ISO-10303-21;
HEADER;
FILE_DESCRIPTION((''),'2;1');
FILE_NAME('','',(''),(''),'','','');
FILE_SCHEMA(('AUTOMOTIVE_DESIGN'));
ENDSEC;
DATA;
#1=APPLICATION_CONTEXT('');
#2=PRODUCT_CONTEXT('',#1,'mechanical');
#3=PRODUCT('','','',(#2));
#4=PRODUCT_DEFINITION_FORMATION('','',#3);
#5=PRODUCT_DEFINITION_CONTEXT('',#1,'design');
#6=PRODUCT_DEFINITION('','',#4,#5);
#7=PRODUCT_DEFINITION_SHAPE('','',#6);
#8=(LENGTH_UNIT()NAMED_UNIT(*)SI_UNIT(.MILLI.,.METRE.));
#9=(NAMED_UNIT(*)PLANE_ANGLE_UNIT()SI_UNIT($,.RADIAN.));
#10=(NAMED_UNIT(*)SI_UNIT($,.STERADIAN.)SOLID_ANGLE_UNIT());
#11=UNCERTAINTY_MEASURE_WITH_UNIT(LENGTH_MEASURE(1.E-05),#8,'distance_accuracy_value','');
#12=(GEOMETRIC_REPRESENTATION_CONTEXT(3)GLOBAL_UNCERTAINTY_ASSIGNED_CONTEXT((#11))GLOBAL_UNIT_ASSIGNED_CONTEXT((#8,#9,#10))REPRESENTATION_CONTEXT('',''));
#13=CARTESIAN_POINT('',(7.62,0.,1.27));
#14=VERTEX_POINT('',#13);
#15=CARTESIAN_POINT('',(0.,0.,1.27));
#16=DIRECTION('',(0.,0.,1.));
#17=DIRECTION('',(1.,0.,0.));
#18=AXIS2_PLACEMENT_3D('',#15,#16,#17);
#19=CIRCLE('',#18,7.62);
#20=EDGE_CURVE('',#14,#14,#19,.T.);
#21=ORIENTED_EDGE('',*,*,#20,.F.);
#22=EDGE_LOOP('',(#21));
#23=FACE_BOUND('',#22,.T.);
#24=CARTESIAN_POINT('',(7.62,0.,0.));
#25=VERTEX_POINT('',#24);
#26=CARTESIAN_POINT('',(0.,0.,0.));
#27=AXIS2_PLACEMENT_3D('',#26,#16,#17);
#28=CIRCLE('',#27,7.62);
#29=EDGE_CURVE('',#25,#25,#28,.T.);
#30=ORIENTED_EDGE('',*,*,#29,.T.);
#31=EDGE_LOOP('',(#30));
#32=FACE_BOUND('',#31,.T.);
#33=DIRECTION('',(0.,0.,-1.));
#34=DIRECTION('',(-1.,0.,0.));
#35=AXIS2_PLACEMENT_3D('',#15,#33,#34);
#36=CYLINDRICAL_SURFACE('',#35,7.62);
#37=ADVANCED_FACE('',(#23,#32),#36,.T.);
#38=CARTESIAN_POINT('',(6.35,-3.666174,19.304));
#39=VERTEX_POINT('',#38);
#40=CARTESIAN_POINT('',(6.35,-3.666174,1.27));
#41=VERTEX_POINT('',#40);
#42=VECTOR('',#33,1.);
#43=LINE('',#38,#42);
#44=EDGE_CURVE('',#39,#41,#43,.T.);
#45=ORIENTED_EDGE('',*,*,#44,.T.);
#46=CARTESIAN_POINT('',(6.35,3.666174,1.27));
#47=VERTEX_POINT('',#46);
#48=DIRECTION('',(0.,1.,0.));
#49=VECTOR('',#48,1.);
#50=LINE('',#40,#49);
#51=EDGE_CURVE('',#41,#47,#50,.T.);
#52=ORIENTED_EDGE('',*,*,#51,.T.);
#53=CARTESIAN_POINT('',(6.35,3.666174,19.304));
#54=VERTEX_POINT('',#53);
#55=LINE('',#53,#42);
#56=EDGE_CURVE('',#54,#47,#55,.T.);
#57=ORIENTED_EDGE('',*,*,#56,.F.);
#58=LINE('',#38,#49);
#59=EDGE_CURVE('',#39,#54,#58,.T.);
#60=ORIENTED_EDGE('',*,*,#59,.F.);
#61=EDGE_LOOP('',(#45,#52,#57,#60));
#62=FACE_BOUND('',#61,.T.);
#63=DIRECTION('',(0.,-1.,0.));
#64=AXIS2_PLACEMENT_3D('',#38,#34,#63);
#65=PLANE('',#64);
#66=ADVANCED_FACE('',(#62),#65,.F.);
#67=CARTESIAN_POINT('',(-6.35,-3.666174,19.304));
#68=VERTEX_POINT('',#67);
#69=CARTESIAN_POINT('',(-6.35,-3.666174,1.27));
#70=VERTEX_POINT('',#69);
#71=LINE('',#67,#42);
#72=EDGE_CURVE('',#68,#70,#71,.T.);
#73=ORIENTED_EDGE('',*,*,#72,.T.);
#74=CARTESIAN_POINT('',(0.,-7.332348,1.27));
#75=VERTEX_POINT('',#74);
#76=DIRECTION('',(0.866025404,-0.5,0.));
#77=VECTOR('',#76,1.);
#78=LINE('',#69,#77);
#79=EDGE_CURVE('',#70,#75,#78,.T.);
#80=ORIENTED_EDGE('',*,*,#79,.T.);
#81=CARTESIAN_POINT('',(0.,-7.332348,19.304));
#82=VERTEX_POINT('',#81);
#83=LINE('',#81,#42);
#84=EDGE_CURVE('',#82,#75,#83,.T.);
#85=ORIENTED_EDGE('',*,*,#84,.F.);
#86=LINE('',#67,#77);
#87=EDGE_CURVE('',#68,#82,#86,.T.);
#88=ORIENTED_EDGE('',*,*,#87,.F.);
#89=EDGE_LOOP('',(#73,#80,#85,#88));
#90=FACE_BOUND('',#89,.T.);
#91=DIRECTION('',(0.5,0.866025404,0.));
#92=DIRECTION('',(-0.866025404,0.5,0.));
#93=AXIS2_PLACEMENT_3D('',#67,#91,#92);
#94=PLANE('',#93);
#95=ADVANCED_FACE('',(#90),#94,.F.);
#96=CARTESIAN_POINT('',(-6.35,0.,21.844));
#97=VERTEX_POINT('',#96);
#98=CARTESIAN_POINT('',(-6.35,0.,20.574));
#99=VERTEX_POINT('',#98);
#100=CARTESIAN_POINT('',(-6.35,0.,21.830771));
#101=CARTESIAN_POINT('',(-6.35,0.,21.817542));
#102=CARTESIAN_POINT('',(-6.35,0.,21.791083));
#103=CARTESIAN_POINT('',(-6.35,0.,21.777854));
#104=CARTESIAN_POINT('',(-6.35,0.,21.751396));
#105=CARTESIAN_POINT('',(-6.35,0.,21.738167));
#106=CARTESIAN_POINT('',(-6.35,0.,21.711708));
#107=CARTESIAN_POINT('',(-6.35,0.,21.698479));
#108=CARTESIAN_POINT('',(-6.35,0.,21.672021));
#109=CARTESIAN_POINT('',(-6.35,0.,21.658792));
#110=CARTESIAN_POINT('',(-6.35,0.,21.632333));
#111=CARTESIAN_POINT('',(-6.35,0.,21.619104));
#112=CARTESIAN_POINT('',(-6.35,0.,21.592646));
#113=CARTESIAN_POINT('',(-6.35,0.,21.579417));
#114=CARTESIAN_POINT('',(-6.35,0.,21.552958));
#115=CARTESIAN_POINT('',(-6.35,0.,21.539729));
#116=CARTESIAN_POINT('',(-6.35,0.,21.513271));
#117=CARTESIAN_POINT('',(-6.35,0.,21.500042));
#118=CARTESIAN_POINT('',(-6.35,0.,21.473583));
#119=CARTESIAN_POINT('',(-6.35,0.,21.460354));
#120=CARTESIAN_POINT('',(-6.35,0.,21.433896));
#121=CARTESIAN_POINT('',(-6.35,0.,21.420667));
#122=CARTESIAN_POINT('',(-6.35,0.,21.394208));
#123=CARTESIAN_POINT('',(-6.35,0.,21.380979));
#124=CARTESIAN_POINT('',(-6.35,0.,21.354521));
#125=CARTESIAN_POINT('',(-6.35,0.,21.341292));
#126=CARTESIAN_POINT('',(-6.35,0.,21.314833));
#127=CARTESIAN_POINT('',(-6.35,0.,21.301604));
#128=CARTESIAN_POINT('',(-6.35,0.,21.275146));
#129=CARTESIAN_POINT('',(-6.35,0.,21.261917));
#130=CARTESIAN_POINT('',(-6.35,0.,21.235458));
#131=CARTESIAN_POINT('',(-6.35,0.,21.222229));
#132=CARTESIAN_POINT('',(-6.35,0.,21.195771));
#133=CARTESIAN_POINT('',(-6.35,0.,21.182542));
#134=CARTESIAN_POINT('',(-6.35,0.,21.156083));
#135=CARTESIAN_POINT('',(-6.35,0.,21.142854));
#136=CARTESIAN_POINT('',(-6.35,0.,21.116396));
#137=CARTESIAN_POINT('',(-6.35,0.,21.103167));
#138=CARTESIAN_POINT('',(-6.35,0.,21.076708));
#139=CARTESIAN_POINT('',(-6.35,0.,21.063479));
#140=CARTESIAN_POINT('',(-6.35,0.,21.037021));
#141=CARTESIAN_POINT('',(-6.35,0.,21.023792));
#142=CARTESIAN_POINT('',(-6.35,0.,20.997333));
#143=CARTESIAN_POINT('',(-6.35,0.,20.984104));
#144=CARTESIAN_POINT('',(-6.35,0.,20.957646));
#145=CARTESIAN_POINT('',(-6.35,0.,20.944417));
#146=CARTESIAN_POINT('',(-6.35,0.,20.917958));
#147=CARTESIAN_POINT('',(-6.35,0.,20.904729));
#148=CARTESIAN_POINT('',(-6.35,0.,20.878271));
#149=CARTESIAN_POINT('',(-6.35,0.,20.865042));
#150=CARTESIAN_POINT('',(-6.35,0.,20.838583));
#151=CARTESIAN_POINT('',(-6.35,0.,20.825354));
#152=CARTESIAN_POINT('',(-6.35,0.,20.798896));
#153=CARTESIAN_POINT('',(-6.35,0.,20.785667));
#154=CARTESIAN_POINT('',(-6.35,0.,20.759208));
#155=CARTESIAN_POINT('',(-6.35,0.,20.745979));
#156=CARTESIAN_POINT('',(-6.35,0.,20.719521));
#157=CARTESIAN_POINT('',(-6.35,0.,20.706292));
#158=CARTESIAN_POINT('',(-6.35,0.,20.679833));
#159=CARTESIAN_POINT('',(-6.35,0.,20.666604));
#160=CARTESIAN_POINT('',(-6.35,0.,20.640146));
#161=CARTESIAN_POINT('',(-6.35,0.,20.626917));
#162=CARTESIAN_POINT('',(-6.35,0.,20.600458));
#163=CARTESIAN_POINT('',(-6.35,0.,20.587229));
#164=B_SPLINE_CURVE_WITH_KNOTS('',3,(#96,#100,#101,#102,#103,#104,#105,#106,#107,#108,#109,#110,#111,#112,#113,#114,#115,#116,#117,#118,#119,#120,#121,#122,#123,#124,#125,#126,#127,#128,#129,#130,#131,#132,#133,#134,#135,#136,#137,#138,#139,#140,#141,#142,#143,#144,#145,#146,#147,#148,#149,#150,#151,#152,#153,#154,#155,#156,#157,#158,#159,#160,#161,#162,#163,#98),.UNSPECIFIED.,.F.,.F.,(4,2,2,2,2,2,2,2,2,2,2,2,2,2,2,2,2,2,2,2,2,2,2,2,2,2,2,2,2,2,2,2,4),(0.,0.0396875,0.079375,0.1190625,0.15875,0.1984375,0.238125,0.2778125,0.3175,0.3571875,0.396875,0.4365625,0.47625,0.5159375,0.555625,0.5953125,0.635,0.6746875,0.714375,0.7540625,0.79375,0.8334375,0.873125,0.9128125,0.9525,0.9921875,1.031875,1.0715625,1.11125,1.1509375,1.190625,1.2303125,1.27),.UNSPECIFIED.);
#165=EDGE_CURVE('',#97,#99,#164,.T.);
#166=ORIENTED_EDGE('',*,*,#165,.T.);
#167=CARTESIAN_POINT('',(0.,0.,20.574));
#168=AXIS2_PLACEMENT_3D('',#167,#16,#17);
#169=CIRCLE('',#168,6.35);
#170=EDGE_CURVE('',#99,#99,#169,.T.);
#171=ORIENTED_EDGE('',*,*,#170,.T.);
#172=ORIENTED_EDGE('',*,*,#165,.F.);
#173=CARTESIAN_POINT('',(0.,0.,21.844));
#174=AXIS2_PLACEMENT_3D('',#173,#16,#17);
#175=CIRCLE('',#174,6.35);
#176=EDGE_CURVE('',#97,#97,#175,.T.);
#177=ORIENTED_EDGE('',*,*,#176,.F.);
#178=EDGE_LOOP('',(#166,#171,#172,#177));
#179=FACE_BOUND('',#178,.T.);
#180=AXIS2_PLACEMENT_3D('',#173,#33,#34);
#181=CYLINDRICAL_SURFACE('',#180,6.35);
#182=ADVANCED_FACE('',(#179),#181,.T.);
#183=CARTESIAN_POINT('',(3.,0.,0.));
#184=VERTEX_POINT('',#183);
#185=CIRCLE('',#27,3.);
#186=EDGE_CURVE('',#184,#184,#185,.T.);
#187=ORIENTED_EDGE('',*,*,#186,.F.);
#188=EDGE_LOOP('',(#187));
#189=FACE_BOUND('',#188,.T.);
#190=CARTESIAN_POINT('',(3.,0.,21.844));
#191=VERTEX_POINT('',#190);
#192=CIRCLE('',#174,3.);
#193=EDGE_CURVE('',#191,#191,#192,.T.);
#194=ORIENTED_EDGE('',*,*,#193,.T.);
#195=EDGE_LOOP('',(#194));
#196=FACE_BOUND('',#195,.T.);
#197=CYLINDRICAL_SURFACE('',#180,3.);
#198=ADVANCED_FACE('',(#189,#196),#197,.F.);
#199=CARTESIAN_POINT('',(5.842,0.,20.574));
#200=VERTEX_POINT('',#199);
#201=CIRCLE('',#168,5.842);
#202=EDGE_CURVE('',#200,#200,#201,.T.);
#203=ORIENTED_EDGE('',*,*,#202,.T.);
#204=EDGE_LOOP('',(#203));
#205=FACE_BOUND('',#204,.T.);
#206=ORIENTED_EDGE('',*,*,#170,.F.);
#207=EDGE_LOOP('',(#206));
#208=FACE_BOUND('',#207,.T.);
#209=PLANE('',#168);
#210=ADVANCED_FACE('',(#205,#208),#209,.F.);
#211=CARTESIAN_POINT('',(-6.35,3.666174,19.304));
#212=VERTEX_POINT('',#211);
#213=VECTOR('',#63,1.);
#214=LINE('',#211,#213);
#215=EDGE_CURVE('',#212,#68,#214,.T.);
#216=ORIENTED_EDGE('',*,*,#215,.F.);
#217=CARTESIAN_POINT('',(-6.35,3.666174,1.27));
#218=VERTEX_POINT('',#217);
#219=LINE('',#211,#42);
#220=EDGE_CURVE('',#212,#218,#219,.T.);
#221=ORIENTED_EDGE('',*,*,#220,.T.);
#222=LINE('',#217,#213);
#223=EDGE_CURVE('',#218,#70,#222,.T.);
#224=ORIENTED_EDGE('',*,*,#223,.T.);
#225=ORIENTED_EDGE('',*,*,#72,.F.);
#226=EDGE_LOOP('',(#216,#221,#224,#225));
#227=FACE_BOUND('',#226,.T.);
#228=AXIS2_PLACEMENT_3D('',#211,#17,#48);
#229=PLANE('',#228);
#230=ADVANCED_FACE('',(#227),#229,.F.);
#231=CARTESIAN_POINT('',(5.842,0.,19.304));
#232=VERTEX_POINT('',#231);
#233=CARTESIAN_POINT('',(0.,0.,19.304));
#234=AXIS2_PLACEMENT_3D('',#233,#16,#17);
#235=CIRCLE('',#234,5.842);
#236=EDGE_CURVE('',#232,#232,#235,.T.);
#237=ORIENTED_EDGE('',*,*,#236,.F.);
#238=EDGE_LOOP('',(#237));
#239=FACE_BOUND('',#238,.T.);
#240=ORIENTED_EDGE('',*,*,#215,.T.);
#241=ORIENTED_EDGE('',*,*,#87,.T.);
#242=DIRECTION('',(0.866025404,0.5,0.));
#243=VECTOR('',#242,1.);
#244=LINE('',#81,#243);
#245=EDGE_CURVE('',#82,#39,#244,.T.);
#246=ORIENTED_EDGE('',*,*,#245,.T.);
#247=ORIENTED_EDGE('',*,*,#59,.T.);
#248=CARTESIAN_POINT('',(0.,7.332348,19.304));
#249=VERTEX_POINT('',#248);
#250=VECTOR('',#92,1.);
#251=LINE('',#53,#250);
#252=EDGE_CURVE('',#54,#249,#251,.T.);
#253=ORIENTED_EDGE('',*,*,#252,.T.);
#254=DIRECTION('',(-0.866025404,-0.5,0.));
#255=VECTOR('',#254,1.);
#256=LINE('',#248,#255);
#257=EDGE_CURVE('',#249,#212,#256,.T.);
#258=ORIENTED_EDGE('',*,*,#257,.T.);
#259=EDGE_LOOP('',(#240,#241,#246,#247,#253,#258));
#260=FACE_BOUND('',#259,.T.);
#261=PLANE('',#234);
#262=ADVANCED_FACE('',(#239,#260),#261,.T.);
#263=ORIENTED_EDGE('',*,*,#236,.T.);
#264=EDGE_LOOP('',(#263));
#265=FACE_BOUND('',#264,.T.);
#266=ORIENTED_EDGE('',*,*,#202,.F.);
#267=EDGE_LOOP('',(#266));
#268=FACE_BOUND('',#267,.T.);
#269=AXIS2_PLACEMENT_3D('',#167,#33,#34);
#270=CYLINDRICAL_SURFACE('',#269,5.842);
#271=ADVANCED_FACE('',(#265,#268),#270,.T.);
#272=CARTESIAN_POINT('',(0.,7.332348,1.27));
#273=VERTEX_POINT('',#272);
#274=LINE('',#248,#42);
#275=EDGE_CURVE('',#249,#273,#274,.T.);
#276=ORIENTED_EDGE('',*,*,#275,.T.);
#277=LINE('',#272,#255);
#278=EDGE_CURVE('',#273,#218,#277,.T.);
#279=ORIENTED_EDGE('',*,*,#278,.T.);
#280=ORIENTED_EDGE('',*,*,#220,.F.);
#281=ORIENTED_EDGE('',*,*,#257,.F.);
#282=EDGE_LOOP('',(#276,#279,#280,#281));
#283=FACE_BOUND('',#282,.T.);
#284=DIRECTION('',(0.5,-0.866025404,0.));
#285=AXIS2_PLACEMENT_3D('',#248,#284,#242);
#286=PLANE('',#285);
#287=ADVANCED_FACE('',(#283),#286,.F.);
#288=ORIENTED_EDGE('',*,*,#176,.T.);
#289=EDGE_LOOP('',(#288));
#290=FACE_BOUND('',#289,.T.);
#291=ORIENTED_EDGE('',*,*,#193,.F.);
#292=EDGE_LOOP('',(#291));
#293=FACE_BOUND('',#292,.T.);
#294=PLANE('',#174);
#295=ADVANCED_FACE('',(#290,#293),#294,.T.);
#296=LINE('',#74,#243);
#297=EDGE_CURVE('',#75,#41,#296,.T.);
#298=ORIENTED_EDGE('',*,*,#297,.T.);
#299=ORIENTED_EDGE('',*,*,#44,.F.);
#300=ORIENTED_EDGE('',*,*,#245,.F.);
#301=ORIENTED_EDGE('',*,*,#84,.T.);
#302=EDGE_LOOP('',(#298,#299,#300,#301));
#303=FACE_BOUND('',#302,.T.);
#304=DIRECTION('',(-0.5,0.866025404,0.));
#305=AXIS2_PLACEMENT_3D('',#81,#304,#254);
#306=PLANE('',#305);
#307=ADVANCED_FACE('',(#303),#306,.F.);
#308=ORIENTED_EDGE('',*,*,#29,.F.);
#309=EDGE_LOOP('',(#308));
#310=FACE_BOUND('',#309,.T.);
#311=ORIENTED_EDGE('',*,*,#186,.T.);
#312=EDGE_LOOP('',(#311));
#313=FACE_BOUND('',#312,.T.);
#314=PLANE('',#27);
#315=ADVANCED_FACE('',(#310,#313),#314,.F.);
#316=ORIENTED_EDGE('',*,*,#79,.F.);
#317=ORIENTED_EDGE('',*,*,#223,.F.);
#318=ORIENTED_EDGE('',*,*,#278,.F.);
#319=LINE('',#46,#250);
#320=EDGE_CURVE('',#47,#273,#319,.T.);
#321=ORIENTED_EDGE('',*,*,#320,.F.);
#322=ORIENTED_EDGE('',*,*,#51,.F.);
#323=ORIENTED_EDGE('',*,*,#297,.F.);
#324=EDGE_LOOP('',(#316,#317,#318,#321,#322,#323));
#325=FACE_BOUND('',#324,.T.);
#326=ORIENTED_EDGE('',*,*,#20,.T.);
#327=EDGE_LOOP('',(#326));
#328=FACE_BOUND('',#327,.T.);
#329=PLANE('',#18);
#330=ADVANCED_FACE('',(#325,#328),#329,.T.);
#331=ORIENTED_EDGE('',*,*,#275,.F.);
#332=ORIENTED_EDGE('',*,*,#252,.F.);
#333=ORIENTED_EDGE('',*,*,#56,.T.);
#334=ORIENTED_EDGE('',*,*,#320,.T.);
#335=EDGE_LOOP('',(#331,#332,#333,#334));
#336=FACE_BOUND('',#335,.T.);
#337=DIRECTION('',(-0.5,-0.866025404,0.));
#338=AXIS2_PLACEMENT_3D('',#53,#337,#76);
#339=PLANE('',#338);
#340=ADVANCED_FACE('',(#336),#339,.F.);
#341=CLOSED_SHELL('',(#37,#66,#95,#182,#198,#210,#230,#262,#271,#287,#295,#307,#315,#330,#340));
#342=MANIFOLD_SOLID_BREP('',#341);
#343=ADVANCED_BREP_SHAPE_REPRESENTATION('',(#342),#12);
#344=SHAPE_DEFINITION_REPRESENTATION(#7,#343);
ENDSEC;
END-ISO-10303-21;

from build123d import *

# Parameters (mm, degrees)
BOSS_EXTRU_1_DEPTH      = 19.304
ESQUISSE2_R             = 7.62
BOSS_EXTRU_2_DEPTH      = 1.27
ESQUISSE3_R             = 5.842
BOSS_EXTRU_3_DEPTH      = 1.27
ESQUISSE4_R             = 6.35
BOSS_EXTRU_4_DEPTH      = 1.27
ESQUISSE5_R             = 3
ENL_V_MAT_EXTRU_1_DEPTH = 25.357527297


with BuildPart() as part:
    # Esquisse1 → Boss.-Extru.1 (new body)
    with BuildSketch(Plane.XY):
        Polygon((0, 7.332348419), (-6.35, 3.666174209), (-6.35, -3.666174209), (0, -7.332348419), (6.35, -3.666174209), (6.35, 3.666174209), align=None)
    extrude(amount=BOSS_EXTRU_1_DEPTH)

    # Esquisse2 → Boss.-Extru.2 (add)
    with BuildSketch(Plane.XY):
        Circle(ESQUISSE2_R)
    extrude(amount=BOSS_EXTRU_2_DEPTH)

    # Esquisse3 → Boss.-Extru.3 (add)
    with BuildSketch(Plane.XY.offset(19.304)):
        Circle(ESQUISSE3_R)
    extrude(amount=BOSS_EXTRU_3_DEPTH)

    # Esquisse4 → Boss.-Extru.4 (add)
    with BuildSketch(Plane.XY.offset(20.574)):
        with Locations(Location((0, 0, 0), (0, 0, 180))):
            Circle(ESQUISSE4_R)
    extrude(amount=BOSS_EXTRU_4_DEPTH)

    # Esquisse5 → Enlèv. mat.-Extru.1 (cut, through all)
    with BuildSketch(Plane.XY):
        Circle(ESQUISSE5_R)
    extrude(amount=ENL_V_MAT_EXTRU_1_DEPTH, mode=Mode.SUBTRACT)


solid = part.part
